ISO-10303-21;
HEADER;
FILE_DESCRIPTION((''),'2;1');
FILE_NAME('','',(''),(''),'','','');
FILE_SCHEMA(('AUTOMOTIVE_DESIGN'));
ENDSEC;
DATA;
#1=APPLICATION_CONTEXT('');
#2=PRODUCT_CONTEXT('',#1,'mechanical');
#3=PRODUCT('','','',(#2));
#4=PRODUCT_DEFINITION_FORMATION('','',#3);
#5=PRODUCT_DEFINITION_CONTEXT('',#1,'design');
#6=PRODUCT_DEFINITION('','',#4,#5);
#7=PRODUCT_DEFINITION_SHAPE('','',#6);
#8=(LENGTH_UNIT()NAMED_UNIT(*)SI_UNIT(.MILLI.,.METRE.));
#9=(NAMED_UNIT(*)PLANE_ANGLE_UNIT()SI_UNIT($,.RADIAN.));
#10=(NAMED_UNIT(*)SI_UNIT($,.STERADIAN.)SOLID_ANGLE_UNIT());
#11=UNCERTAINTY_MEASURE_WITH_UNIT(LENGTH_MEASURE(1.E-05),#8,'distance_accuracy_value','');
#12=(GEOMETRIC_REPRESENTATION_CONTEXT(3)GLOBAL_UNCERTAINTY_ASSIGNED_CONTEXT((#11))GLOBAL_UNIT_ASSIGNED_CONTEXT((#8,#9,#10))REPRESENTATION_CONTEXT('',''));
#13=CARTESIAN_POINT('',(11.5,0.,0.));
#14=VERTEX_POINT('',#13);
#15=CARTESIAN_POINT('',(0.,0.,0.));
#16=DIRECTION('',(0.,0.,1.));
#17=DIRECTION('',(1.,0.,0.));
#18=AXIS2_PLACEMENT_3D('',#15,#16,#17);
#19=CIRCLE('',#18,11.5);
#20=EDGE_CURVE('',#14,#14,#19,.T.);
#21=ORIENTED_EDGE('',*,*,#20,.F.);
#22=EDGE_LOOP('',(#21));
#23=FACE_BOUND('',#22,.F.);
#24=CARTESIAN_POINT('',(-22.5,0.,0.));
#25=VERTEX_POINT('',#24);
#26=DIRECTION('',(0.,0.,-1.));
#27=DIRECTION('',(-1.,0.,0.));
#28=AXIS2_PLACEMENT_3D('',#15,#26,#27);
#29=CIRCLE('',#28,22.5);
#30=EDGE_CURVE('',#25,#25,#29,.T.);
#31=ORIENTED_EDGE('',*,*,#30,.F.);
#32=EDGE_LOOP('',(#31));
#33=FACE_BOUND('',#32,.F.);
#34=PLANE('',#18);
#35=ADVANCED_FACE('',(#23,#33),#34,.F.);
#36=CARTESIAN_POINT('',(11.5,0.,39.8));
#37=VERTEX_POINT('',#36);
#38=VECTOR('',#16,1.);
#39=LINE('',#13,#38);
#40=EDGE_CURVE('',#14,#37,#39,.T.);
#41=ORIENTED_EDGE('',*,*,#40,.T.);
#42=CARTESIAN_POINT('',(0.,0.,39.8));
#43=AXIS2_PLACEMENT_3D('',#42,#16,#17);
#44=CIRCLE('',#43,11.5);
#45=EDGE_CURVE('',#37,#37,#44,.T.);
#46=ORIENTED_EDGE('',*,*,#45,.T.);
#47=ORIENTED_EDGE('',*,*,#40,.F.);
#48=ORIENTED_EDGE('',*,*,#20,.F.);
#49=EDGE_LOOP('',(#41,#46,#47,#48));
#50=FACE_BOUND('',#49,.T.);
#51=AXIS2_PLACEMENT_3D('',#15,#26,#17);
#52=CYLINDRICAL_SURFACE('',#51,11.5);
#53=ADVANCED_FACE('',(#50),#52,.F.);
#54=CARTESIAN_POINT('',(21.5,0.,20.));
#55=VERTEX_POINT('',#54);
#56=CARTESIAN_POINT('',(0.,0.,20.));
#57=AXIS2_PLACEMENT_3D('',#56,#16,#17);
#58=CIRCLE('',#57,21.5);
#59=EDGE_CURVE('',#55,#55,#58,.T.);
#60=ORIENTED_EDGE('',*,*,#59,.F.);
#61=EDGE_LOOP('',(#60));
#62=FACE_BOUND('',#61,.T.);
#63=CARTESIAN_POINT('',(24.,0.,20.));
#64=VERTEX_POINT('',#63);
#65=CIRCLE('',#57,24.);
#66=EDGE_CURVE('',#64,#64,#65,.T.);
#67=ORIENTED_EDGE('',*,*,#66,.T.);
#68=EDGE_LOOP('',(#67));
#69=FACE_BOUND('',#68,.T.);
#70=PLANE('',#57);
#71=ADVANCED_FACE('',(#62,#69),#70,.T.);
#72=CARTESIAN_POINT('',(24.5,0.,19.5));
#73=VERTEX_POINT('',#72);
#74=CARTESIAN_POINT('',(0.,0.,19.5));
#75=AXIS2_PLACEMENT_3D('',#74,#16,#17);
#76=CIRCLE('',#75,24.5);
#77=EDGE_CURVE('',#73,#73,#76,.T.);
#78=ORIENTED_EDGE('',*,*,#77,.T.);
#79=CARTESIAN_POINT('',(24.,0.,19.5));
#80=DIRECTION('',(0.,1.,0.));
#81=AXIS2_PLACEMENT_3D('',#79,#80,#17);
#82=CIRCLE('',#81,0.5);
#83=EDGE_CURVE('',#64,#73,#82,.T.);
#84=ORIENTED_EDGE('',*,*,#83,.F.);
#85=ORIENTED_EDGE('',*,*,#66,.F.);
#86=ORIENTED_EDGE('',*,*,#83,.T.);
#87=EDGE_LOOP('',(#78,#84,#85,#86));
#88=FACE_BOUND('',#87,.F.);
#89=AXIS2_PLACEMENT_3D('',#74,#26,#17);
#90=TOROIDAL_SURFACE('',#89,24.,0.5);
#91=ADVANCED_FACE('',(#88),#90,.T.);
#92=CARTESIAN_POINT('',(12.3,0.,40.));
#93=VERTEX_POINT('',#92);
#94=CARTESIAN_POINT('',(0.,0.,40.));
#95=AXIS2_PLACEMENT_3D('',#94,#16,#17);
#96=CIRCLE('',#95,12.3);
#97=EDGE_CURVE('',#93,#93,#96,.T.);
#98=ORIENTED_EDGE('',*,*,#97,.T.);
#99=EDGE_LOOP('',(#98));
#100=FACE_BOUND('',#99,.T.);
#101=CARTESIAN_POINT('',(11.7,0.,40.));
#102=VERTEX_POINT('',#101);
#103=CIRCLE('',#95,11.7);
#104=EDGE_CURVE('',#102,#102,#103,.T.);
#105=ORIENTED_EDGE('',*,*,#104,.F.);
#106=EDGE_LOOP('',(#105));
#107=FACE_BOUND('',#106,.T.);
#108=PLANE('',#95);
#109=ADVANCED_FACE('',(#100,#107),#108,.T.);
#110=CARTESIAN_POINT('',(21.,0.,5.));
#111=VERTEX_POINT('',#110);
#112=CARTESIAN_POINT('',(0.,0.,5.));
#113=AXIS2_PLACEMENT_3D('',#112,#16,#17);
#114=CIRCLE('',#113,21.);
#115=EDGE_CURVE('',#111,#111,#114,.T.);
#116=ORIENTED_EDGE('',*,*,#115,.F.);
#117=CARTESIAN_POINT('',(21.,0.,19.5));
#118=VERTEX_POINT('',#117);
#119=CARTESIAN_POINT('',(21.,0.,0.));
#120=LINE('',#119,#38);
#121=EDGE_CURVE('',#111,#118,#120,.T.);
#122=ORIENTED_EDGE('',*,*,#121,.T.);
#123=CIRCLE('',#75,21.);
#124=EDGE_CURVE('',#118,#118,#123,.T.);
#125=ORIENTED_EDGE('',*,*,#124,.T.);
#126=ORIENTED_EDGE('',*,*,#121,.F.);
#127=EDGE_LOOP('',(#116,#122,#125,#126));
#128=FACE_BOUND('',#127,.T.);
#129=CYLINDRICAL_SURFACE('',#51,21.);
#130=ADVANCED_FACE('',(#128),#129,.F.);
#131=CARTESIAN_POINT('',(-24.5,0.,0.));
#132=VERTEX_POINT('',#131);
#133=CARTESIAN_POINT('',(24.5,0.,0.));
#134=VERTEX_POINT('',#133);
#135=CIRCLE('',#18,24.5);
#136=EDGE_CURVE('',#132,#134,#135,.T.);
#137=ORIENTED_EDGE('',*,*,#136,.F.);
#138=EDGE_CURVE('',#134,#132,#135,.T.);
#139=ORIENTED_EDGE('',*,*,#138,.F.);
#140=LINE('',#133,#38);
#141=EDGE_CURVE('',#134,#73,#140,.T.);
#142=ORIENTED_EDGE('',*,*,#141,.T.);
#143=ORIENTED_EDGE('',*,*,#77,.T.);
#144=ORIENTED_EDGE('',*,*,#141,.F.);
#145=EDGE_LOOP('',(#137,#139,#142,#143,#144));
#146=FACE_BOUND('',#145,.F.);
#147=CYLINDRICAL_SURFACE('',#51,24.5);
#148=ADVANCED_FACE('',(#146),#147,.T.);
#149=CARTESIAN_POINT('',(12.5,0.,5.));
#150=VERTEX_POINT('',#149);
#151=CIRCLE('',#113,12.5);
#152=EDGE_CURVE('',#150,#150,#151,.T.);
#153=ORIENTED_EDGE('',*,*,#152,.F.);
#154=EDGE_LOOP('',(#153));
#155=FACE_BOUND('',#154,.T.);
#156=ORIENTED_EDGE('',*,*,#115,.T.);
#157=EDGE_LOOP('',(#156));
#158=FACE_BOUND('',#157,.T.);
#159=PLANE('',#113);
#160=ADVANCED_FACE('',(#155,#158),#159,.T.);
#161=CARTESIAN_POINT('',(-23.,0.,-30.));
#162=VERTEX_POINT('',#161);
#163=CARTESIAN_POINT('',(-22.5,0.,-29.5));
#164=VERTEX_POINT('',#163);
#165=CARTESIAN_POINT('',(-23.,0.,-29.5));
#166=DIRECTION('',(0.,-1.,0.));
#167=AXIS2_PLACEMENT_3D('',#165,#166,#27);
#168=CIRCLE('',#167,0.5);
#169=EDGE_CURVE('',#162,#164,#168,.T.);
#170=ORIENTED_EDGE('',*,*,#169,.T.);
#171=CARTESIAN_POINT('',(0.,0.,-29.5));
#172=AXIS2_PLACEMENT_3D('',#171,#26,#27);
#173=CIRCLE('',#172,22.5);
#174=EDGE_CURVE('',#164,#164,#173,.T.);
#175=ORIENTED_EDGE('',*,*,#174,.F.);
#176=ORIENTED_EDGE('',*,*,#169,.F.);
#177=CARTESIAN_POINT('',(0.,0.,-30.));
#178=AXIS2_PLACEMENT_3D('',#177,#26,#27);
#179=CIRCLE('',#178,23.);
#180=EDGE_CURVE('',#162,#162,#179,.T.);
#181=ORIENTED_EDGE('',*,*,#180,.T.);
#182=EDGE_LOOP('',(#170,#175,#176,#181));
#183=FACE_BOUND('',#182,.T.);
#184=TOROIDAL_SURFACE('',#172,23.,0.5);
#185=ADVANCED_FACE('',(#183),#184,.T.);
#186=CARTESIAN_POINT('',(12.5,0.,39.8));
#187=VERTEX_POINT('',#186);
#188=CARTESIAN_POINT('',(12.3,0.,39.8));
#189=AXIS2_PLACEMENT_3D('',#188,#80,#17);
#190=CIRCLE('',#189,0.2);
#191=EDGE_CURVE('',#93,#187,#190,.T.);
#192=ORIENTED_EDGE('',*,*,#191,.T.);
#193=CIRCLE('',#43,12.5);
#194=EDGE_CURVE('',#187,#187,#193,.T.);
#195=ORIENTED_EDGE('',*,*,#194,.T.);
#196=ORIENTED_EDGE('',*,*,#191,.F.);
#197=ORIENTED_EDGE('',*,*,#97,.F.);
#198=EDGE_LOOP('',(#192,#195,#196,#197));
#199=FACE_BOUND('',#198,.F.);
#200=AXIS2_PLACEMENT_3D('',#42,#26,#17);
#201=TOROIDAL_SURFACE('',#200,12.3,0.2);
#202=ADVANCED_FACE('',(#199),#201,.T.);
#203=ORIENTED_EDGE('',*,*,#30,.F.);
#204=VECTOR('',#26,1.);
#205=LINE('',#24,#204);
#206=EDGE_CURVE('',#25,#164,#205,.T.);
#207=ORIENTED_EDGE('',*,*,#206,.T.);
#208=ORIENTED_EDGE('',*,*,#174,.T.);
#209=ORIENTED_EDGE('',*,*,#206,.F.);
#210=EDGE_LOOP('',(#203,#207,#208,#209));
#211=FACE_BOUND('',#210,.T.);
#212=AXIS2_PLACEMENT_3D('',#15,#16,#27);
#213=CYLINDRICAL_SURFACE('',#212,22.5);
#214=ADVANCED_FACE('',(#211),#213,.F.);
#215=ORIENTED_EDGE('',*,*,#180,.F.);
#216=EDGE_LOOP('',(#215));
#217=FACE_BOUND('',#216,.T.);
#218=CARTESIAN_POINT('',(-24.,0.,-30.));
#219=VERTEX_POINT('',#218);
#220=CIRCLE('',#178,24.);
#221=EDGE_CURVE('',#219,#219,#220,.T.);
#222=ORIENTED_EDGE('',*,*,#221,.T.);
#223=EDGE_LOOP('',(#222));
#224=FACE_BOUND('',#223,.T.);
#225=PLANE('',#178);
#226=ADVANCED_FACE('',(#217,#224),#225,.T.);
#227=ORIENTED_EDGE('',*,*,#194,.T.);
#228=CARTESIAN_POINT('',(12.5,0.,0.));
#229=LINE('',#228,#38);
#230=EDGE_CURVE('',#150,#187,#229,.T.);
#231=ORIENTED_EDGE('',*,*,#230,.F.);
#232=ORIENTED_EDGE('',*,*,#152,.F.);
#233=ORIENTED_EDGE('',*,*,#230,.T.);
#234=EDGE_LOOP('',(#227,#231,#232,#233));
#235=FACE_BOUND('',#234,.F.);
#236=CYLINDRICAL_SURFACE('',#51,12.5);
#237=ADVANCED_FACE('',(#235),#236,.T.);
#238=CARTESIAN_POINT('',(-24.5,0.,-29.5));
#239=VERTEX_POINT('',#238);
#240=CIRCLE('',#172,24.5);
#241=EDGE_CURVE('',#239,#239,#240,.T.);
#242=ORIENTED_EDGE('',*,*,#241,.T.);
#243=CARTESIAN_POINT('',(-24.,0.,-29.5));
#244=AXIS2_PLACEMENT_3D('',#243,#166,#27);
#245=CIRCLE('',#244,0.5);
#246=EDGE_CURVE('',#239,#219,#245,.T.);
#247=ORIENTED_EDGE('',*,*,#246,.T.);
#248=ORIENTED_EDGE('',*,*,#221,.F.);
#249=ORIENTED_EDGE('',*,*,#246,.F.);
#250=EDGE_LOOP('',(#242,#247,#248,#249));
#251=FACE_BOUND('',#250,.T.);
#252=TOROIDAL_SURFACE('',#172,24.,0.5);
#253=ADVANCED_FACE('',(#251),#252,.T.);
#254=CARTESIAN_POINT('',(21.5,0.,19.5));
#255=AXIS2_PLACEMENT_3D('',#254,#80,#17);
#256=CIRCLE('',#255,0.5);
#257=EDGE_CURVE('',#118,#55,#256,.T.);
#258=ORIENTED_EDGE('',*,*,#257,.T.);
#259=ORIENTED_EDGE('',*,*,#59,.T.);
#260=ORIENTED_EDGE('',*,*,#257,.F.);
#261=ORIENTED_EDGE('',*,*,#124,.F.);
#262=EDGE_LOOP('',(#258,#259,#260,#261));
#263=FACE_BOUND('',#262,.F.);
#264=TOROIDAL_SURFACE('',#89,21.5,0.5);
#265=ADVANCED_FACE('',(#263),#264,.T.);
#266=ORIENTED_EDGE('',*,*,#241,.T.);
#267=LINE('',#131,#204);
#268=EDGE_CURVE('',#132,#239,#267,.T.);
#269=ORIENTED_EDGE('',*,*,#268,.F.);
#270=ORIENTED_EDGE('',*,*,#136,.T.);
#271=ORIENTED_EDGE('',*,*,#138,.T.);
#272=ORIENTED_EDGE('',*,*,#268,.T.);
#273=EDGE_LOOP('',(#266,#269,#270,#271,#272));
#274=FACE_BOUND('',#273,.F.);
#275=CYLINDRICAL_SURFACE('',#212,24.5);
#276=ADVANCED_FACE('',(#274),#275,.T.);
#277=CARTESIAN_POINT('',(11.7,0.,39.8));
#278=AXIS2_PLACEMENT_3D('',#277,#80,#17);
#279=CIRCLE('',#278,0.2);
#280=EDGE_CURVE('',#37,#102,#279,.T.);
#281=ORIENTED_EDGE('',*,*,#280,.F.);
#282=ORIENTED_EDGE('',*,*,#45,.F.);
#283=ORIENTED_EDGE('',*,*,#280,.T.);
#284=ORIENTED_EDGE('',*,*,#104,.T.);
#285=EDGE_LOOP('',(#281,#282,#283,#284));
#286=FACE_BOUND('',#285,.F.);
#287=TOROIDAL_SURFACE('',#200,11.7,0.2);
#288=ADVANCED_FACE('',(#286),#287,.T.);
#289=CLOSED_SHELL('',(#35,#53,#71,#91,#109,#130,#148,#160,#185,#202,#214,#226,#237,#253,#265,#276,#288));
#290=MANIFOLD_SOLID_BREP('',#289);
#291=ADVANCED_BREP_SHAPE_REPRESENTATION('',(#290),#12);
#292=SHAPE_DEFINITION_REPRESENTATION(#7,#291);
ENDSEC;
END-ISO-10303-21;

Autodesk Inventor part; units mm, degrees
ref_plane "YZ Plane" through (0, 0, 0) normal (1, 0, 0) x (0, 1, 0)
ref_plane "XZ Plane" through (0, 0, 0) normal (0, 1, 0) x (-1, 0, 0)
ref_plane "XY Plane" through (0, 0, 0) normal (0, 0, 1) x (1, 0, 0)
sketch "Sketch1" plane through (0, 0, 0) normal (0, 0, 1) x (1, 0, 0)
  circle A0 centre (0, 0) radius 12.5
  circle A1 centre (0, 0) radius 11.5
  circle A2 centre (0, 0) radius 24.5
  circle A3 centre (0, 0) radius 21
  dimension "d0" = 25
  dimension "d1" = 23
  dimension "d2" = 49
  dimension "d3" = 42
extrude "Extrusion1" add sketch "Sketch1" along normal blind 40 contours A0
extrude "Extrusion2" add sketch "Sketch1" along normal blind 20 contours A2
extrude "Extrusion3" add sketch "Sketch1" along normal blind 5 contours A3
fillet "Fillet1" radius 0.5 2 edges at (-21, 0, 20) (-24.5, 0, 20)
sketch "Sketch2" plane through (0, 0, 0) normal (0, 0, -1) x (-1, 0, 0)
  circle A0 centre (0, 0) radius 24.5
  circle A1 centre (0, 0) radius 22.5
  dimension "d11" = 49
  dimension "d12" = 45
extrude "Extrusion4" add sketch "Sketch2" along normal blind 30
fillet "Fillet2" radius 0.5 2 edges at (24.5, 0, -30) (22.5, 0, -30)
fillet "Fillet3" radius 0.2 2 edges at (-12.5, 0, 40) (-11.5, 0, 40)
equation "\"BendRadius\" = Thickness"
equation "\"BendReliefWidth\" = Thickness"
equation "\"BendReliefDepth\" = 0.5 * Thickness"
equation "\"CornerReliefSize\" = 4 * Thickness"
equation "\"MinimumRemnant\" = 2 * Thickness"
equation "\"TransitionRadius\" = BendRadius"
equation "\"JacobiRadiusSize\" = BendRadius"
equation "\"GapSize\" = Thickness"
equation "\"Thickness\" = 0.5"
